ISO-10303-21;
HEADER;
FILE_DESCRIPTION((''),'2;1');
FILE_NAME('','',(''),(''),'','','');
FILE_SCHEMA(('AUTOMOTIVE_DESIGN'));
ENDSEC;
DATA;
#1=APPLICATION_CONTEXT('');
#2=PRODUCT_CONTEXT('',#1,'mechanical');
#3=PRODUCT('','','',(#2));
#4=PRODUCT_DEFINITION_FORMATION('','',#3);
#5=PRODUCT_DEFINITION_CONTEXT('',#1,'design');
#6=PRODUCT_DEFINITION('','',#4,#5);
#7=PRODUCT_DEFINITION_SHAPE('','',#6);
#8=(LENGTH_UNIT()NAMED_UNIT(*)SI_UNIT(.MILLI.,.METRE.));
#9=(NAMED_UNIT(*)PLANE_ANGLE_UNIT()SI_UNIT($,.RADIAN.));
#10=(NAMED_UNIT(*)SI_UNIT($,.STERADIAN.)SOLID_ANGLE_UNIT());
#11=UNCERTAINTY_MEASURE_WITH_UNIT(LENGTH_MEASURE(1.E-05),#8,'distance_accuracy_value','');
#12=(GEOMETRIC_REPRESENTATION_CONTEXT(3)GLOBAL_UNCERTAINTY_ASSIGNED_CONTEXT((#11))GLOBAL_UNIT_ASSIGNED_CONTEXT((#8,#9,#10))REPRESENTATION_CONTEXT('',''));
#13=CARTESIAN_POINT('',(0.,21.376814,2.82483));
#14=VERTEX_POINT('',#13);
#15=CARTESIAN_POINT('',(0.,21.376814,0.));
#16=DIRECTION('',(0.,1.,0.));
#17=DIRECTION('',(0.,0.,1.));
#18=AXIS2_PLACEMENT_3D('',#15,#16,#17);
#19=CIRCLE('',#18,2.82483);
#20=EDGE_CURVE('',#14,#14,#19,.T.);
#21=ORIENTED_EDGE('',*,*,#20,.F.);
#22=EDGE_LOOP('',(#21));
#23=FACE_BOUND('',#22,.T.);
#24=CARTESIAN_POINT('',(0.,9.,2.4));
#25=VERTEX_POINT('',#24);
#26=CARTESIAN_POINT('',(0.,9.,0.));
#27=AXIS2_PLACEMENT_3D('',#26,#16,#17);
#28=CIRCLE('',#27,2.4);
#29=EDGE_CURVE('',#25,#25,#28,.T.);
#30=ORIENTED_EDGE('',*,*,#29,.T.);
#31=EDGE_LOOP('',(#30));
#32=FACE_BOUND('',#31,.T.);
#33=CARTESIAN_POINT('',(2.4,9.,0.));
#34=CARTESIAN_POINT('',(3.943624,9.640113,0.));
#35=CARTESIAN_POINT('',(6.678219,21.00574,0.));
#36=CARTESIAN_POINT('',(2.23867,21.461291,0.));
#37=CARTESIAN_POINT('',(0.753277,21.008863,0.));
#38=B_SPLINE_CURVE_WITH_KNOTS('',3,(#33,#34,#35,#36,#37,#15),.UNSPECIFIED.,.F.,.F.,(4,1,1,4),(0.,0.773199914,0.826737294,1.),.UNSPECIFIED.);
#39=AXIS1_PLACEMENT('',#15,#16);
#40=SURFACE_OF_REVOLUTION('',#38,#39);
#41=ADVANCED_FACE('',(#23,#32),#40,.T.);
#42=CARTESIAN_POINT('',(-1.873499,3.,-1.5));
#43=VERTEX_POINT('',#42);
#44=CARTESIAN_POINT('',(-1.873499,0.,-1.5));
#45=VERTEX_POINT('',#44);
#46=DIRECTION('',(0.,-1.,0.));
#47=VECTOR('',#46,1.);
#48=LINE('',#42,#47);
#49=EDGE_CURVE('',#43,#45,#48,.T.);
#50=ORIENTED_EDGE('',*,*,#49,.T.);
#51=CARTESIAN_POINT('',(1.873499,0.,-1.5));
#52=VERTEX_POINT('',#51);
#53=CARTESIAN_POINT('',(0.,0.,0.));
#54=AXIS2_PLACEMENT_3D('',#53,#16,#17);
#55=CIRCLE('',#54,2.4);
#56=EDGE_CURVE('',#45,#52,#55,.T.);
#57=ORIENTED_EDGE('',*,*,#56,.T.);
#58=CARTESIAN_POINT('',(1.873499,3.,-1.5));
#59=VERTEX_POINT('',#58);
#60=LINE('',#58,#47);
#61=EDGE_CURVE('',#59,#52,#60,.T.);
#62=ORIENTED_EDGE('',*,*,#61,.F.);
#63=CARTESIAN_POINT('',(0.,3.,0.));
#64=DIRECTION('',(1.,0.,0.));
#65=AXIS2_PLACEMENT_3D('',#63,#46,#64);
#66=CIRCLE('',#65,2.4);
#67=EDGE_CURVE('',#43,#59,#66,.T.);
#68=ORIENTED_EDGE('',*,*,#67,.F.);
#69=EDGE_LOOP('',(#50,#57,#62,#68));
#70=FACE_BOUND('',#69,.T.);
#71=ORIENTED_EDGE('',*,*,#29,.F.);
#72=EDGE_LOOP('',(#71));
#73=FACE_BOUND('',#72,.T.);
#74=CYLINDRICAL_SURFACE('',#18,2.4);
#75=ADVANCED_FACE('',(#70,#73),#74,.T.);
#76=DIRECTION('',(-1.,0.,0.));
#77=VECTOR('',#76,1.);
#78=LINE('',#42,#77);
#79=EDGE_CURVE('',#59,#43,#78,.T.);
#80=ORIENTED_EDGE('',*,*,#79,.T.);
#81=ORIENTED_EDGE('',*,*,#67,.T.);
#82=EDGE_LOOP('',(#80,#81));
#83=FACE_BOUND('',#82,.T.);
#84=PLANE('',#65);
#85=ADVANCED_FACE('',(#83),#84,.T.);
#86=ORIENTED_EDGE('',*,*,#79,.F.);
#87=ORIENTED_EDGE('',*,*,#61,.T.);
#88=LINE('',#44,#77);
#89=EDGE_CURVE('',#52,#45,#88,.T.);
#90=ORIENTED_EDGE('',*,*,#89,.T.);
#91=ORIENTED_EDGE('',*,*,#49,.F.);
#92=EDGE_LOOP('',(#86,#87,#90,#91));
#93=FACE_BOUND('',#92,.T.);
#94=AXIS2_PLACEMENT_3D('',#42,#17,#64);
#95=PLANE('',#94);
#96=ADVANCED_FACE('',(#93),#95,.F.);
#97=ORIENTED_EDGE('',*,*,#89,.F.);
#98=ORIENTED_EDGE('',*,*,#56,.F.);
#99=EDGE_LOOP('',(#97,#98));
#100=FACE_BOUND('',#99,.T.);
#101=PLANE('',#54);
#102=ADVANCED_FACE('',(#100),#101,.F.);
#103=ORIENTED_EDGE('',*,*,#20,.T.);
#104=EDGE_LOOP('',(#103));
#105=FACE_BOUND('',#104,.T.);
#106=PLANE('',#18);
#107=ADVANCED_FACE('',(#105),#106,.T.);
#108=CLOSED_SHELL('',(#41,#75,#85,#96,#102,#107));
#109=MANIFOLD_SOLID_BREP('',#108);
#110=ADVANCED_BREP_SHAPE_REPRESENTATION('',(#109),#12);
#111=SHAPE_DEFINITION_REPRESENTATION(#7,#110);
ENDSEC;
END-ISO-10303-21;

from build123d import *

# Parameters (mm, degrees)
SKETCH1_W          = 2.4
SKETCH1_H          = 9
CUT_EXTRUDE1_DEPTH = 3


with BuildPart() as part:
    # Sketch1 → Revolve1 (revolve)
    with BuildSketch(Plane.XY):
        with Locations((1.2, 4.5)):
            Rectangle(SKETCH1_W, SKETCH1_H)
        with BuildLine():
            Line((0, 9), (2.4, 9))
            add(Edge.make_bspline(
                [(2.4, 9), (3.943624144, 9.640112892), (6.678218712, 21.005740033), (2.23867002, 21.461291421), (0.753276849, 21.008863183), (0, 21.376813595)],
                knots=[0, 0, 0, 0, 0.773199914, 0.826737294, 1, 1, 1, 1], degree=3))
            Line((0, 21.376813595), (0, 9))
        make_face()
        with BuildLine():
            Line((2.824829573, 21.376813595), (0, 21.376813595))
            add(Edge.make_bspline(
                [(2.824829573, 21.376813595), (2.798017085, 21.376813595), (1.92435926, 21.365557129), (0.753276849, 21.008863183), (0, 21.376813595)],
                knots=[0.821191051, 0.821191051, 0.821191051, 0.821191051, 0.826737294, 1, 1, 1, 1], degree=3))
        make_face()
    revolve(axis=Axis((0, 21.376813595, 0), (0, -1, 0)))

    # Sketch2 → Cut-Extrude1 (cut)
    with BuildSketch(Plane.XZ):
        with BuildLine():
            Line((-1.8734994, -1.5), (1.8734994, -1.5))
            ThreePointArc((1.8734994, -1.5), (0, -2.4), (-1.8734994, -1.5))
        make_face()
    extrude(amount=-CUT_EXTRUDE1_DEPTH, mode=Mode.SUBTRACT)


solid = part.part
